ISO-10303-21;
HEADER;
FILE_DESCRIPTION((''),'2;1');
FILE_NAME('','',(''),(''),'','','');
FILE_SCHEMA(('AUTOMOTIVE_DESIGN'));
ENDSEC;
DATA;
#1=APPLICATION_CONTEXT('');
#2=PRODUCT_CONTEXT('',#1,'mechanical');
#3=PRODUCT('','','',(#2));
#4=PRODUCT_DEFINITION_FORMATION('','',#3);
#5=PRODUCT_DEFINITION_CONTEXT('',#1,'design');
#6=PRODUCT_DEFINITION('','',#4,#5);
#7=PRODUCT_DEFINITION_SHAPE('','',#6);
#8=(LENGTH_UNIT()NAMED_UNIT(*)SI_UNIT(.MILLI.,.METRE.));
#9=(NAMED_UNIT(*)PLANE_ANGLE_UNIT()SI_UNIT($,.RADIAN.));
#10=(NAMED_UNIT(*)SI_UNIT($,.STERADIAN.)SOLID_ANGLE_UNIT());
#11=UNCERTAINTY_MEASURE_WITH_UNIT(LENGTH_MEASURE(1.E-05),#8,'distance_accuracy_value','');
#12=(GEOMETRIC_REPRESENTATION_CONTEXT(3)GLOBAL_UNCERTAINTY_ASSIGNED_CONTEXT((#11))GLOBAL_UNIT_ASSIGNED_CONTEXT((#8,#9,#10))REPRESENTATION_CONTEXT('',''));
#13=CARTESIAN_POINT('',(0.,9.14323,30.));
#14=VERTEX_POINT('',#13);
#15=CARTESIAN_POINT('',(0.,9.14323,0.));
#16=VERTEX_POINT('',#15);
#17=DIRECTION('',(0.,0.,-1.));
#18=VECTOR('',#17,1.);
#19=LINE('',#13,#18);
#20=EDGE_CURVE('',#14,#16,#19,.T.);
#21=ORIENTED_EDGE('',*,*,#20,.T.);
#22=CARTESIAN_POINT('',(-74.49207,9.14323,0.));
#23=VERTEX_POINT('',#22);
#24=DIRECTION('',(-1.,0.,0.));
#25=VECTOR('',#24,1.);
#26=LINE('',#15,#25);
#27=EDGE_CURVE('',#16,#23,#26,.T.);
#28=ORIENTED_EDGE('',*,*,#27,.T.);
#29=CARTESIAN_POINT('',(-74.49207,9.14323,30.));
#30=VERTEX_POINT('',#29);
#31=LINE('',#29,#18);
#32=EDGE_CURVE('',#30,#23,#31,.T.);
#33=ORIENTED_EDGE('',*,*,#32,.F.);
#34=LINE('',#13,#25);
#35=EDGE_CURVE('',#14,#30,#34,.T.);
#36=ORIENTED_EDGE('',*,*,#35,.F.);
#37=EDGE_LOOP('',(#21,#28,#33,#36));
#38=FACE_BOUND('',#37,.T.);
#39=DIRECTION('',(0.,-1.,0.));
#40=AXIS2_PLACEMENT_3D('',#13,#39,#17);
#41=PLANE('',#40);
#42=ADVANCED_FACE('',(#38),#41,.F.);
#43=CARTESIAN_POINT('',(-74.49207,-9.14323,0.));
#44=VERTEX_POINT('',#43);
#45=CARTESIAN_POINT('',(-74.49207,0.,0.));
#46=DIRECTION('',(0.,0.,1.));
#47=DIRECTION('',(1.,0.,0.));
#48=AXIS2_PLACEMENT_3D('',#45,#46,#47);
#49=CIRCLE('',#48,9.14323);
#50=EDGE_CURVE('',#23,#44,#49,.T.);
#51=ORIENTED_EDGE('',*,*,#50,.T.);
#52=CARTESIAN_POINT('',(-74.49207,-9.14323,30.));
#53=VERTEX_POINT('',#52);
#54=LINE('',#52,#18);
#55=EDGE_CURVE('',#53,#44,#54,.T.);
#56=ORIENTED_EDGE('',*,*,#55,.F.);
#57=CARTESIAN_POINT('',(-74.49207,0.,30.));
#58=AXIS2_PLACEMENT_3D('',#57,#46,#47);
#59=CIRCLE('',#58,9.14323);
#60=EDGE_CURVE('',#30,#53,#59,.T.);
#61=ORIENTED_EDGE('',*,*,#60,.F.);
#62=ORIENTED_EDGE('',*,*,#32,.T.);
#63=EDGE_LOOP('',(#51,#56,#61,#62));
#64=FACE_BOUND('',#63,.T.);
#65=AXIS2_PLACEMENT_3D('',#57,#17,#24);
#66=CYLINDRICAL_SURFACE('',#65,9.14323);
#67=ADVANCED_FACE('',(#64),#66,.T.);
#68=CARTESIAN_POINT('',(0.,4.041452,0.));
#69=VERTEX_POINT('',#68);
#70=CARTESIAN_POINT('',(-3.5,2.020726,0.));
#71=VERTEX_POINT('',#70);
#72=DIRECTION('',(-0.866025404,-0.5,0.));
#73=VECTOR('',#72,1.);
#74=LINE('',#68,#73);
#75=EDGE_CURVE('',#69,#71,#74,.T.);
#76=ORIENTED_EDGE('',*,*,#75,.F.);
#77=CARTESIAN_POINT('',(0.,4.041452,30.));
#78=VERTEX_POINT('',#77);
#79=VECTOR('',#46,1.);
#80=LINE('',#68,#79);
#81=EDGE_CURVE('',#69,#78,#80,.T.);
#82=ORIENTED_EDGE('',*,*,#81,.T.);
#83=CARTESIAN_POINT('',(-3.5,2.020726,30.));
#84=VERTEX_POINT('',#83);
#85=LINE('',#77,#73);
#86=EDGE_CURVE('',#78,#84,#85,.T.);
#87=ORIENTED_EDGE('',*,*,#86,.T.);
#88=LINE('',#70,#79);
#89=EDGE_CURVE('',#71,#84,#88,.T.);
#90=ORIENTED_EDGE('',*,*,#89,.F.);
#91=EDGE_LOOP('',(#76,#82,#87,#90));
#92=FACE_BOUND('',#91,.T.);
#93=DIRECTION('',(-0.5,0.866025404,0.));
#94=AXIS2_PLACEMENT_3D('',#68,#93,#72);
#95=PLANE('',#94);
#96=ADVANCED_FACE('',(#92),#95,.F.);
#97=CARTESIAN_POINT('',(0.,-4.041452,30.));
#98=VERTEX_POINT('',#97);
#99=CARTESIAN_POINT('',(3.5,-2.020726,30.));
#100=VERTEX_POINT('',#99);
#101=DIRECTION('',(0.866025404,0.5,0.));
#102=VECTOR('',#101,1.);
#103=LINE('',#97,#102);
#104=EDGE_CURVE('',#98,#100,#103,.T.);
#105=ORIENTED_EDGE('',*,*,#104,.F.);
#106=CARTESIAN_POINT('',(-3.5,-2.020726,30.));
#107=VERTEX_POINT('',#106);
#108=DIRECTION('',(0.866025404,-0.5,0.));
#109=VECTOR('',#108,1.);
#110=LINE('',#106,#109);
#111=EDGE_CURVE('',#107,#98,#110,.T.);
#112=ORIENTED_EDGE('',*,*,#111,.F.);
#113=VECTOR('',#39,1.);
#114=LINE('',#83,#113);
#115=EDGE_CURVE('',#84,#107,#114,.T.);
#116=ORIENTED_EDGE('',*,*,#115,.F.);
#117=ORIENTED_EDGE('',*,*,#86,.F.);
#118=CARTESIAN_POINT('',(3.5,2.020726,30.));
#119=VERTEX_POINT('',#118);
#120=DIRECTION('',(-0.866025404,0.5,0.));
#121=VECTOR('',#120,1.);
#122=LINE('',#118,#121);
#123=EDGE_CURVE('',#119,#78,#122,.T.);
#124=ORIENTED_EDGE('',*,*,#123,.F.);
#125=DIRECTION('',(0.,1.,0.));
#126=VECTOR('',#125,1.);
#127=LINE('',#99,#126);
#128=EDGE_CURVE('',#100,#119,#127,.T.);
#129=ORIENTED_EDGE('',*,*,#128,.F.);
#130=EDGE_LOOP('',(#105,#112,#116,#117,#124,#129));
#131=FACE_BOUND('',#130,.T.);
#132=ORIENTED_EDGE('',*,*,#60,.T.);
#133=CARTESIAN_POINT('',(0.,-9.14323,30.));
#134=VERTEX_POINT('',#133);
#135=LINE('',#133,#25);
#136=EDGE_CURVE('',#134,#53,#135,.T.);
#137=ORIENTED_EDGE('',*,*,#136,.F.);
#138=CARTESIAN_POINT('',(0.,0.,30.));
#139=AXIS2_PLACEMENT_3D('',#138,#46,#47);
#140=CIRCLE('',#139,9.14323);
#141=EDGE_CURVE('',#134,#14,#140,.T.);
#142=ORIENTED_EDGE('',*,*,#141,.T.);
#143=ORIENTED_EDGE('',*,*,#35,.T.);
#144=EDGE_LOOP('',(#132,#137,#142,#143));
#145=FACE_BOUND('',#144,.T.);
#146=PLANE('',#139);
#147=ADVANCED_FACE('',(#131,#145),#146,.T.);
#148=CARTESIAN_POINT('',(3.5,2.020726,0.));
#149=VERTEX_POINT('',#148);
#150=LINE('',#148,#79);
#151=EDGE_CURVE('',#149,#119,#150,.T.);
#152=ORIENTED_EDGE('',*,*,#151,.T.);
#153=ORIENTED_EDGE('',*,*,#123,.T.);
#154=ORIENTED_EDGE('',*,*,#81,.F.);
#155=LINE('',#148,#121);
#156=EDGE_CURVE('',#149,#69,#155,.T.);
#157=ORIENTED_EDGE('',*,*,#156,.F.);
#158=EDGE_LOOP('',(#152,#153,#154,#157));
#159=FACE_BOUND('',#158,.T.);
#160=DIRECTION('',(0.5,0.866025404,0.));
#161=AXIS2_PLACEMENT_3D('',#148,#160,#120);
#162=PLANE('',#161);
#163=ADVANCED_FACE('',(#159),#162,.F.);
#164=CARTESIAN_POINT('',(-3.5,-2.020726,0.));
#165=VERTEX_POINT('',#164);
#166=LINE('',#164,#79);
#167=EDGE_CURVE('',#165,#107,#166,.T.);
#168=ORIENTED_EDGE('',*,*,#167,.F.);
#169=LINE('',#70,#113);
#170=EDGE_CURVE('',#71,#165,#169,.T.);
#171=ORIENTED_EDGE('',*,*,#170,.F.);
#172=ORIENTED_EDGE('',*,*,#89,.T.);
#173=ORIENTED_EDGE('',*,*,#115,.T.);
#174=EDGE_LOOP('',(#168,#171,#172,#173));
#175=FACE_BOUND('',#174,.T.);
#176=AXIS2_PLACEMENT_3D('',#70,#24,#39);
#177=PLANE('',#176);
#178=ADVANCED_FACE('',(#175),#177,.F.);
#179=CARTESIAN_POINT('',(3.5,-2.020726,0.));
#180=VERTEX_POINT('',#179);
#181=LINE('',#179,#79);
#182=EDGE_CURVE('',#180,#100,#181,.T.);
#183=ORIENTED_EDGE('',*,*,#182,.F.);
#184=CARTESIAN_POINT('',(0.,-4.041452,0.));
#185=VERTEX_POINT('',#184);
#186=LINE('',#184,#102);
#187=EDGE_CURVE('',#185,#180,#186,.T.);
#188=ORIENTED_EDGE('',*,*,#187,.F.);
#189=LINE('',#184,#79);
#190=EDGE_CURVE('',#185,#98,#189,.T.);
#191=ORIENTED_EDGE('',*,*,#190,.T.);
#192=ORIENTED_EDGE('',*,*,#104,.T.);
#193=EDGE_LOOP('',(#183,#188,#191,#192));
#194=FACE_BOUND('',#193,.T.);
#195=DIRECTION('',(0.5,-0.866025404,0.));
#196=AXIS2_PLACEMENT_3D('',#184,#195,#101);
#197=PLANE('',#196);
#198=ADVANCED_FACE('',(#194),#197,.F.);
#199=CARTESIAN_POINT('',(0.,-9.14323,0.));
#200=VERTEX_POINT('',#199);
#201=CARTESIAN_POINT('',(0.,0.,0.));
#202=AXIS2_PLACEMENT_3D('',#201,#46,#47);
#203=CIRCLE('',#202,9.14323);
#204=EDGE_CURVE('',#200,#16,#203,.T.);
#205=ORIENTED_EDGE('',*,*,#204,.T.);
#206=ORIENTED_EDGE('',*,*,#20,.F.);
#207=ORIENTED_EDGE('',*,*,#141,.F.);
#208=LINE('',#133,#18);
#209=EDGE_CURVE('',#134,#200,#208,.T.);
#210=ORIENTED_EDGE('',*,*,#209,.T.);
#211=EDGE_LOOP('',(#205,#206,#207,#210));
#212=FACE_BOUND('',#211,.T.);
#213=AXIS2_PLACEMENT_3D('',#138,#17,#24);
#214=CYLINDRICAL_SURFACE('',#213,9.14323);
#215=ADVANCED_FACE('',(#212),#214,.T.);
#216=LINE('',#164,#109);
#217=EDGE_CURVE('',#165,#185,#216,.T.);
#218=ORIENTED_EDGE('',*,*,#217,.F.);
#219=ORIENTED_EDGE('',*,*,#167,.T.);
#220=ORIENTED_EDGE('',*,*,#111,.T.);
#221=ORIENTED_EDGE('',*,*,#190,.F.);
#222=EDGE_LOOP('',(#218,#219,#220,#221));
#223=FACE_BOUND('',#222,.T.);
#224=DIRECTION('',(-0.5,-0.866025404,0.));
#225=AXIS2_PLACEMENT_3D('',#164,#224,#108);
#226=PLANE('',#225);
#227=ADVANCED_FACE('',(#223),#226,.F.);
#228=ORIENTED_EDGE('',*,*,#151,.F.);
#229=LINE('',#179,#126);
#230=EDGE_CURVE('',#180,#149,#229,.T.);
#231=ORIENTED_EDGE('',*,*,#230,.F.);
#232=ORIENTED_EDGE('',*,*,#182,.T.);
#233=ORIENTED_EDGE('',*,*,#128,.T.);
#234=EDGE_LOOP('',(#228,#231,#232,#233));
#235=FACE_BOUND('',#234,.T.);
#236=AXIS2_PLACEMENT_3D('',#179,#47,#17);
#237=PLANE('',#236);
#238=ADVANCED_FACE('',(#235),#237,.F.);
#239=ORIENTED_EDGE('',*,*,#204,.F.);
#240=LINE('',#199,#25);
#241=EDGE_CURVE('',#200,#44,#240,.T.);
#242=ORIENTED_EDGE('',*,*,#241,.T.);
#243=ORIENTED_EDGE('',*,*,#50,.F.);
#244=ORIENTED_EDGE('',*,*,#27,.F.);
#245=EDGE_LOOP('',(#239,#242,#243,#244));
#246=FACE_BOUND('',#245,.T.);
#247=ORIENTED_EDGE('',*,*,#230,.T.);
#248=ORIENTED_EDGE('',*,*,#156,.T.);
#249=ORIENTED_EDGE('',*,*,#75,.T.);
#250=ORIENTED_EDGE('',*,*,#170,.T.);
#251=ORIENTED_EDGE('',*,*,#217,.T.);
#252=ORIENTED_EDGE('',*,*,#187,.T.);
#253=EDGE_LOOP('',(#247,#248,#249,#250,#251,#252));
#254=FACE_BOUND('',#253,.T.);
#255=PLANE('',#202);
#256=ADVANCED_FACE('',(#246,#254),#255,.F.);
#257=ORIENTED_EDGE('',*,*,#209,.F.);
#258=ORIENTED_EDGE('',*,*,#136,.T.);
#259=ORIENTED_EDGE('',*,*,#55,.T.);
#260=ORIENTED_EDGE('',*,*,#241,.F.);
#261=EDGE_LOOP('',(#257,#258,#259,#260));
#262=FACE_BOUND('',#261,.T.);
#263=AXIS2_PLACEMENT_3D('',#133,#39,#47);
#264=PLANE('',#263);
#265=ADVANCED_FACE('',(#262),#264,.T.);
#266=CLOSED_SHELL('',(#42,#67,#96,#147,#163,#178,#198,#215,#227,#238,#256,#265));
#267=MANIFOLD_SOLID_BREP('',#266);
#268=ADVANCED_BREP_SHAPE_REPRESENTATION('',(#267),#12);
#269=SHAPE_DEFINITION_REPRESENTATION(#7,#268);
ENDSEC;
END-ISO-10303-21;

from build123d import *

# Parameters (mm, degrees)
BOSS_EXTRUDE1_DEPTH = 30
CUT_EXTRUDE1_DEPTH  = 90.32223687


with BuildPart() as part:
    # Sketch1 → Boss-Extrude1 (new body)
    with BuildSketch(Plane.XY):
        with BuildLine():
            Line((0, -9.14322974), (-74.492069921, -9.14322974))
            ThreePointArc((-74.492069921, -9.14322974), (-83.635299661, 0), (-74.492069921, 9.14322974))
            Line((-74.492069921, 9.14322974), (0, 9.14322974))
            ThreePointArc((0, 9.14322974), (9.14322974, 0), (0, -9.14322974))
        make_face()
    extrude(amount=BOSS_EXTRUDE1_DEPTH)

    # Sketch2 → Cut-Extrude1 (cut, through all)
    with BuildSketch(Plane.XY.offset(30)):
        Polygon((-3.5, 2.020725942), (-3.5, -2.020725942), (0, -4.041451884), (3.5, -2.020725942), (3.5, 2.020725942), (0, 4.041451884), align=None)
    extrude(amount=-CUT_EXTRUDE1_DEPTH, mode=Mode.SUBTRACT)


solid = part.part
